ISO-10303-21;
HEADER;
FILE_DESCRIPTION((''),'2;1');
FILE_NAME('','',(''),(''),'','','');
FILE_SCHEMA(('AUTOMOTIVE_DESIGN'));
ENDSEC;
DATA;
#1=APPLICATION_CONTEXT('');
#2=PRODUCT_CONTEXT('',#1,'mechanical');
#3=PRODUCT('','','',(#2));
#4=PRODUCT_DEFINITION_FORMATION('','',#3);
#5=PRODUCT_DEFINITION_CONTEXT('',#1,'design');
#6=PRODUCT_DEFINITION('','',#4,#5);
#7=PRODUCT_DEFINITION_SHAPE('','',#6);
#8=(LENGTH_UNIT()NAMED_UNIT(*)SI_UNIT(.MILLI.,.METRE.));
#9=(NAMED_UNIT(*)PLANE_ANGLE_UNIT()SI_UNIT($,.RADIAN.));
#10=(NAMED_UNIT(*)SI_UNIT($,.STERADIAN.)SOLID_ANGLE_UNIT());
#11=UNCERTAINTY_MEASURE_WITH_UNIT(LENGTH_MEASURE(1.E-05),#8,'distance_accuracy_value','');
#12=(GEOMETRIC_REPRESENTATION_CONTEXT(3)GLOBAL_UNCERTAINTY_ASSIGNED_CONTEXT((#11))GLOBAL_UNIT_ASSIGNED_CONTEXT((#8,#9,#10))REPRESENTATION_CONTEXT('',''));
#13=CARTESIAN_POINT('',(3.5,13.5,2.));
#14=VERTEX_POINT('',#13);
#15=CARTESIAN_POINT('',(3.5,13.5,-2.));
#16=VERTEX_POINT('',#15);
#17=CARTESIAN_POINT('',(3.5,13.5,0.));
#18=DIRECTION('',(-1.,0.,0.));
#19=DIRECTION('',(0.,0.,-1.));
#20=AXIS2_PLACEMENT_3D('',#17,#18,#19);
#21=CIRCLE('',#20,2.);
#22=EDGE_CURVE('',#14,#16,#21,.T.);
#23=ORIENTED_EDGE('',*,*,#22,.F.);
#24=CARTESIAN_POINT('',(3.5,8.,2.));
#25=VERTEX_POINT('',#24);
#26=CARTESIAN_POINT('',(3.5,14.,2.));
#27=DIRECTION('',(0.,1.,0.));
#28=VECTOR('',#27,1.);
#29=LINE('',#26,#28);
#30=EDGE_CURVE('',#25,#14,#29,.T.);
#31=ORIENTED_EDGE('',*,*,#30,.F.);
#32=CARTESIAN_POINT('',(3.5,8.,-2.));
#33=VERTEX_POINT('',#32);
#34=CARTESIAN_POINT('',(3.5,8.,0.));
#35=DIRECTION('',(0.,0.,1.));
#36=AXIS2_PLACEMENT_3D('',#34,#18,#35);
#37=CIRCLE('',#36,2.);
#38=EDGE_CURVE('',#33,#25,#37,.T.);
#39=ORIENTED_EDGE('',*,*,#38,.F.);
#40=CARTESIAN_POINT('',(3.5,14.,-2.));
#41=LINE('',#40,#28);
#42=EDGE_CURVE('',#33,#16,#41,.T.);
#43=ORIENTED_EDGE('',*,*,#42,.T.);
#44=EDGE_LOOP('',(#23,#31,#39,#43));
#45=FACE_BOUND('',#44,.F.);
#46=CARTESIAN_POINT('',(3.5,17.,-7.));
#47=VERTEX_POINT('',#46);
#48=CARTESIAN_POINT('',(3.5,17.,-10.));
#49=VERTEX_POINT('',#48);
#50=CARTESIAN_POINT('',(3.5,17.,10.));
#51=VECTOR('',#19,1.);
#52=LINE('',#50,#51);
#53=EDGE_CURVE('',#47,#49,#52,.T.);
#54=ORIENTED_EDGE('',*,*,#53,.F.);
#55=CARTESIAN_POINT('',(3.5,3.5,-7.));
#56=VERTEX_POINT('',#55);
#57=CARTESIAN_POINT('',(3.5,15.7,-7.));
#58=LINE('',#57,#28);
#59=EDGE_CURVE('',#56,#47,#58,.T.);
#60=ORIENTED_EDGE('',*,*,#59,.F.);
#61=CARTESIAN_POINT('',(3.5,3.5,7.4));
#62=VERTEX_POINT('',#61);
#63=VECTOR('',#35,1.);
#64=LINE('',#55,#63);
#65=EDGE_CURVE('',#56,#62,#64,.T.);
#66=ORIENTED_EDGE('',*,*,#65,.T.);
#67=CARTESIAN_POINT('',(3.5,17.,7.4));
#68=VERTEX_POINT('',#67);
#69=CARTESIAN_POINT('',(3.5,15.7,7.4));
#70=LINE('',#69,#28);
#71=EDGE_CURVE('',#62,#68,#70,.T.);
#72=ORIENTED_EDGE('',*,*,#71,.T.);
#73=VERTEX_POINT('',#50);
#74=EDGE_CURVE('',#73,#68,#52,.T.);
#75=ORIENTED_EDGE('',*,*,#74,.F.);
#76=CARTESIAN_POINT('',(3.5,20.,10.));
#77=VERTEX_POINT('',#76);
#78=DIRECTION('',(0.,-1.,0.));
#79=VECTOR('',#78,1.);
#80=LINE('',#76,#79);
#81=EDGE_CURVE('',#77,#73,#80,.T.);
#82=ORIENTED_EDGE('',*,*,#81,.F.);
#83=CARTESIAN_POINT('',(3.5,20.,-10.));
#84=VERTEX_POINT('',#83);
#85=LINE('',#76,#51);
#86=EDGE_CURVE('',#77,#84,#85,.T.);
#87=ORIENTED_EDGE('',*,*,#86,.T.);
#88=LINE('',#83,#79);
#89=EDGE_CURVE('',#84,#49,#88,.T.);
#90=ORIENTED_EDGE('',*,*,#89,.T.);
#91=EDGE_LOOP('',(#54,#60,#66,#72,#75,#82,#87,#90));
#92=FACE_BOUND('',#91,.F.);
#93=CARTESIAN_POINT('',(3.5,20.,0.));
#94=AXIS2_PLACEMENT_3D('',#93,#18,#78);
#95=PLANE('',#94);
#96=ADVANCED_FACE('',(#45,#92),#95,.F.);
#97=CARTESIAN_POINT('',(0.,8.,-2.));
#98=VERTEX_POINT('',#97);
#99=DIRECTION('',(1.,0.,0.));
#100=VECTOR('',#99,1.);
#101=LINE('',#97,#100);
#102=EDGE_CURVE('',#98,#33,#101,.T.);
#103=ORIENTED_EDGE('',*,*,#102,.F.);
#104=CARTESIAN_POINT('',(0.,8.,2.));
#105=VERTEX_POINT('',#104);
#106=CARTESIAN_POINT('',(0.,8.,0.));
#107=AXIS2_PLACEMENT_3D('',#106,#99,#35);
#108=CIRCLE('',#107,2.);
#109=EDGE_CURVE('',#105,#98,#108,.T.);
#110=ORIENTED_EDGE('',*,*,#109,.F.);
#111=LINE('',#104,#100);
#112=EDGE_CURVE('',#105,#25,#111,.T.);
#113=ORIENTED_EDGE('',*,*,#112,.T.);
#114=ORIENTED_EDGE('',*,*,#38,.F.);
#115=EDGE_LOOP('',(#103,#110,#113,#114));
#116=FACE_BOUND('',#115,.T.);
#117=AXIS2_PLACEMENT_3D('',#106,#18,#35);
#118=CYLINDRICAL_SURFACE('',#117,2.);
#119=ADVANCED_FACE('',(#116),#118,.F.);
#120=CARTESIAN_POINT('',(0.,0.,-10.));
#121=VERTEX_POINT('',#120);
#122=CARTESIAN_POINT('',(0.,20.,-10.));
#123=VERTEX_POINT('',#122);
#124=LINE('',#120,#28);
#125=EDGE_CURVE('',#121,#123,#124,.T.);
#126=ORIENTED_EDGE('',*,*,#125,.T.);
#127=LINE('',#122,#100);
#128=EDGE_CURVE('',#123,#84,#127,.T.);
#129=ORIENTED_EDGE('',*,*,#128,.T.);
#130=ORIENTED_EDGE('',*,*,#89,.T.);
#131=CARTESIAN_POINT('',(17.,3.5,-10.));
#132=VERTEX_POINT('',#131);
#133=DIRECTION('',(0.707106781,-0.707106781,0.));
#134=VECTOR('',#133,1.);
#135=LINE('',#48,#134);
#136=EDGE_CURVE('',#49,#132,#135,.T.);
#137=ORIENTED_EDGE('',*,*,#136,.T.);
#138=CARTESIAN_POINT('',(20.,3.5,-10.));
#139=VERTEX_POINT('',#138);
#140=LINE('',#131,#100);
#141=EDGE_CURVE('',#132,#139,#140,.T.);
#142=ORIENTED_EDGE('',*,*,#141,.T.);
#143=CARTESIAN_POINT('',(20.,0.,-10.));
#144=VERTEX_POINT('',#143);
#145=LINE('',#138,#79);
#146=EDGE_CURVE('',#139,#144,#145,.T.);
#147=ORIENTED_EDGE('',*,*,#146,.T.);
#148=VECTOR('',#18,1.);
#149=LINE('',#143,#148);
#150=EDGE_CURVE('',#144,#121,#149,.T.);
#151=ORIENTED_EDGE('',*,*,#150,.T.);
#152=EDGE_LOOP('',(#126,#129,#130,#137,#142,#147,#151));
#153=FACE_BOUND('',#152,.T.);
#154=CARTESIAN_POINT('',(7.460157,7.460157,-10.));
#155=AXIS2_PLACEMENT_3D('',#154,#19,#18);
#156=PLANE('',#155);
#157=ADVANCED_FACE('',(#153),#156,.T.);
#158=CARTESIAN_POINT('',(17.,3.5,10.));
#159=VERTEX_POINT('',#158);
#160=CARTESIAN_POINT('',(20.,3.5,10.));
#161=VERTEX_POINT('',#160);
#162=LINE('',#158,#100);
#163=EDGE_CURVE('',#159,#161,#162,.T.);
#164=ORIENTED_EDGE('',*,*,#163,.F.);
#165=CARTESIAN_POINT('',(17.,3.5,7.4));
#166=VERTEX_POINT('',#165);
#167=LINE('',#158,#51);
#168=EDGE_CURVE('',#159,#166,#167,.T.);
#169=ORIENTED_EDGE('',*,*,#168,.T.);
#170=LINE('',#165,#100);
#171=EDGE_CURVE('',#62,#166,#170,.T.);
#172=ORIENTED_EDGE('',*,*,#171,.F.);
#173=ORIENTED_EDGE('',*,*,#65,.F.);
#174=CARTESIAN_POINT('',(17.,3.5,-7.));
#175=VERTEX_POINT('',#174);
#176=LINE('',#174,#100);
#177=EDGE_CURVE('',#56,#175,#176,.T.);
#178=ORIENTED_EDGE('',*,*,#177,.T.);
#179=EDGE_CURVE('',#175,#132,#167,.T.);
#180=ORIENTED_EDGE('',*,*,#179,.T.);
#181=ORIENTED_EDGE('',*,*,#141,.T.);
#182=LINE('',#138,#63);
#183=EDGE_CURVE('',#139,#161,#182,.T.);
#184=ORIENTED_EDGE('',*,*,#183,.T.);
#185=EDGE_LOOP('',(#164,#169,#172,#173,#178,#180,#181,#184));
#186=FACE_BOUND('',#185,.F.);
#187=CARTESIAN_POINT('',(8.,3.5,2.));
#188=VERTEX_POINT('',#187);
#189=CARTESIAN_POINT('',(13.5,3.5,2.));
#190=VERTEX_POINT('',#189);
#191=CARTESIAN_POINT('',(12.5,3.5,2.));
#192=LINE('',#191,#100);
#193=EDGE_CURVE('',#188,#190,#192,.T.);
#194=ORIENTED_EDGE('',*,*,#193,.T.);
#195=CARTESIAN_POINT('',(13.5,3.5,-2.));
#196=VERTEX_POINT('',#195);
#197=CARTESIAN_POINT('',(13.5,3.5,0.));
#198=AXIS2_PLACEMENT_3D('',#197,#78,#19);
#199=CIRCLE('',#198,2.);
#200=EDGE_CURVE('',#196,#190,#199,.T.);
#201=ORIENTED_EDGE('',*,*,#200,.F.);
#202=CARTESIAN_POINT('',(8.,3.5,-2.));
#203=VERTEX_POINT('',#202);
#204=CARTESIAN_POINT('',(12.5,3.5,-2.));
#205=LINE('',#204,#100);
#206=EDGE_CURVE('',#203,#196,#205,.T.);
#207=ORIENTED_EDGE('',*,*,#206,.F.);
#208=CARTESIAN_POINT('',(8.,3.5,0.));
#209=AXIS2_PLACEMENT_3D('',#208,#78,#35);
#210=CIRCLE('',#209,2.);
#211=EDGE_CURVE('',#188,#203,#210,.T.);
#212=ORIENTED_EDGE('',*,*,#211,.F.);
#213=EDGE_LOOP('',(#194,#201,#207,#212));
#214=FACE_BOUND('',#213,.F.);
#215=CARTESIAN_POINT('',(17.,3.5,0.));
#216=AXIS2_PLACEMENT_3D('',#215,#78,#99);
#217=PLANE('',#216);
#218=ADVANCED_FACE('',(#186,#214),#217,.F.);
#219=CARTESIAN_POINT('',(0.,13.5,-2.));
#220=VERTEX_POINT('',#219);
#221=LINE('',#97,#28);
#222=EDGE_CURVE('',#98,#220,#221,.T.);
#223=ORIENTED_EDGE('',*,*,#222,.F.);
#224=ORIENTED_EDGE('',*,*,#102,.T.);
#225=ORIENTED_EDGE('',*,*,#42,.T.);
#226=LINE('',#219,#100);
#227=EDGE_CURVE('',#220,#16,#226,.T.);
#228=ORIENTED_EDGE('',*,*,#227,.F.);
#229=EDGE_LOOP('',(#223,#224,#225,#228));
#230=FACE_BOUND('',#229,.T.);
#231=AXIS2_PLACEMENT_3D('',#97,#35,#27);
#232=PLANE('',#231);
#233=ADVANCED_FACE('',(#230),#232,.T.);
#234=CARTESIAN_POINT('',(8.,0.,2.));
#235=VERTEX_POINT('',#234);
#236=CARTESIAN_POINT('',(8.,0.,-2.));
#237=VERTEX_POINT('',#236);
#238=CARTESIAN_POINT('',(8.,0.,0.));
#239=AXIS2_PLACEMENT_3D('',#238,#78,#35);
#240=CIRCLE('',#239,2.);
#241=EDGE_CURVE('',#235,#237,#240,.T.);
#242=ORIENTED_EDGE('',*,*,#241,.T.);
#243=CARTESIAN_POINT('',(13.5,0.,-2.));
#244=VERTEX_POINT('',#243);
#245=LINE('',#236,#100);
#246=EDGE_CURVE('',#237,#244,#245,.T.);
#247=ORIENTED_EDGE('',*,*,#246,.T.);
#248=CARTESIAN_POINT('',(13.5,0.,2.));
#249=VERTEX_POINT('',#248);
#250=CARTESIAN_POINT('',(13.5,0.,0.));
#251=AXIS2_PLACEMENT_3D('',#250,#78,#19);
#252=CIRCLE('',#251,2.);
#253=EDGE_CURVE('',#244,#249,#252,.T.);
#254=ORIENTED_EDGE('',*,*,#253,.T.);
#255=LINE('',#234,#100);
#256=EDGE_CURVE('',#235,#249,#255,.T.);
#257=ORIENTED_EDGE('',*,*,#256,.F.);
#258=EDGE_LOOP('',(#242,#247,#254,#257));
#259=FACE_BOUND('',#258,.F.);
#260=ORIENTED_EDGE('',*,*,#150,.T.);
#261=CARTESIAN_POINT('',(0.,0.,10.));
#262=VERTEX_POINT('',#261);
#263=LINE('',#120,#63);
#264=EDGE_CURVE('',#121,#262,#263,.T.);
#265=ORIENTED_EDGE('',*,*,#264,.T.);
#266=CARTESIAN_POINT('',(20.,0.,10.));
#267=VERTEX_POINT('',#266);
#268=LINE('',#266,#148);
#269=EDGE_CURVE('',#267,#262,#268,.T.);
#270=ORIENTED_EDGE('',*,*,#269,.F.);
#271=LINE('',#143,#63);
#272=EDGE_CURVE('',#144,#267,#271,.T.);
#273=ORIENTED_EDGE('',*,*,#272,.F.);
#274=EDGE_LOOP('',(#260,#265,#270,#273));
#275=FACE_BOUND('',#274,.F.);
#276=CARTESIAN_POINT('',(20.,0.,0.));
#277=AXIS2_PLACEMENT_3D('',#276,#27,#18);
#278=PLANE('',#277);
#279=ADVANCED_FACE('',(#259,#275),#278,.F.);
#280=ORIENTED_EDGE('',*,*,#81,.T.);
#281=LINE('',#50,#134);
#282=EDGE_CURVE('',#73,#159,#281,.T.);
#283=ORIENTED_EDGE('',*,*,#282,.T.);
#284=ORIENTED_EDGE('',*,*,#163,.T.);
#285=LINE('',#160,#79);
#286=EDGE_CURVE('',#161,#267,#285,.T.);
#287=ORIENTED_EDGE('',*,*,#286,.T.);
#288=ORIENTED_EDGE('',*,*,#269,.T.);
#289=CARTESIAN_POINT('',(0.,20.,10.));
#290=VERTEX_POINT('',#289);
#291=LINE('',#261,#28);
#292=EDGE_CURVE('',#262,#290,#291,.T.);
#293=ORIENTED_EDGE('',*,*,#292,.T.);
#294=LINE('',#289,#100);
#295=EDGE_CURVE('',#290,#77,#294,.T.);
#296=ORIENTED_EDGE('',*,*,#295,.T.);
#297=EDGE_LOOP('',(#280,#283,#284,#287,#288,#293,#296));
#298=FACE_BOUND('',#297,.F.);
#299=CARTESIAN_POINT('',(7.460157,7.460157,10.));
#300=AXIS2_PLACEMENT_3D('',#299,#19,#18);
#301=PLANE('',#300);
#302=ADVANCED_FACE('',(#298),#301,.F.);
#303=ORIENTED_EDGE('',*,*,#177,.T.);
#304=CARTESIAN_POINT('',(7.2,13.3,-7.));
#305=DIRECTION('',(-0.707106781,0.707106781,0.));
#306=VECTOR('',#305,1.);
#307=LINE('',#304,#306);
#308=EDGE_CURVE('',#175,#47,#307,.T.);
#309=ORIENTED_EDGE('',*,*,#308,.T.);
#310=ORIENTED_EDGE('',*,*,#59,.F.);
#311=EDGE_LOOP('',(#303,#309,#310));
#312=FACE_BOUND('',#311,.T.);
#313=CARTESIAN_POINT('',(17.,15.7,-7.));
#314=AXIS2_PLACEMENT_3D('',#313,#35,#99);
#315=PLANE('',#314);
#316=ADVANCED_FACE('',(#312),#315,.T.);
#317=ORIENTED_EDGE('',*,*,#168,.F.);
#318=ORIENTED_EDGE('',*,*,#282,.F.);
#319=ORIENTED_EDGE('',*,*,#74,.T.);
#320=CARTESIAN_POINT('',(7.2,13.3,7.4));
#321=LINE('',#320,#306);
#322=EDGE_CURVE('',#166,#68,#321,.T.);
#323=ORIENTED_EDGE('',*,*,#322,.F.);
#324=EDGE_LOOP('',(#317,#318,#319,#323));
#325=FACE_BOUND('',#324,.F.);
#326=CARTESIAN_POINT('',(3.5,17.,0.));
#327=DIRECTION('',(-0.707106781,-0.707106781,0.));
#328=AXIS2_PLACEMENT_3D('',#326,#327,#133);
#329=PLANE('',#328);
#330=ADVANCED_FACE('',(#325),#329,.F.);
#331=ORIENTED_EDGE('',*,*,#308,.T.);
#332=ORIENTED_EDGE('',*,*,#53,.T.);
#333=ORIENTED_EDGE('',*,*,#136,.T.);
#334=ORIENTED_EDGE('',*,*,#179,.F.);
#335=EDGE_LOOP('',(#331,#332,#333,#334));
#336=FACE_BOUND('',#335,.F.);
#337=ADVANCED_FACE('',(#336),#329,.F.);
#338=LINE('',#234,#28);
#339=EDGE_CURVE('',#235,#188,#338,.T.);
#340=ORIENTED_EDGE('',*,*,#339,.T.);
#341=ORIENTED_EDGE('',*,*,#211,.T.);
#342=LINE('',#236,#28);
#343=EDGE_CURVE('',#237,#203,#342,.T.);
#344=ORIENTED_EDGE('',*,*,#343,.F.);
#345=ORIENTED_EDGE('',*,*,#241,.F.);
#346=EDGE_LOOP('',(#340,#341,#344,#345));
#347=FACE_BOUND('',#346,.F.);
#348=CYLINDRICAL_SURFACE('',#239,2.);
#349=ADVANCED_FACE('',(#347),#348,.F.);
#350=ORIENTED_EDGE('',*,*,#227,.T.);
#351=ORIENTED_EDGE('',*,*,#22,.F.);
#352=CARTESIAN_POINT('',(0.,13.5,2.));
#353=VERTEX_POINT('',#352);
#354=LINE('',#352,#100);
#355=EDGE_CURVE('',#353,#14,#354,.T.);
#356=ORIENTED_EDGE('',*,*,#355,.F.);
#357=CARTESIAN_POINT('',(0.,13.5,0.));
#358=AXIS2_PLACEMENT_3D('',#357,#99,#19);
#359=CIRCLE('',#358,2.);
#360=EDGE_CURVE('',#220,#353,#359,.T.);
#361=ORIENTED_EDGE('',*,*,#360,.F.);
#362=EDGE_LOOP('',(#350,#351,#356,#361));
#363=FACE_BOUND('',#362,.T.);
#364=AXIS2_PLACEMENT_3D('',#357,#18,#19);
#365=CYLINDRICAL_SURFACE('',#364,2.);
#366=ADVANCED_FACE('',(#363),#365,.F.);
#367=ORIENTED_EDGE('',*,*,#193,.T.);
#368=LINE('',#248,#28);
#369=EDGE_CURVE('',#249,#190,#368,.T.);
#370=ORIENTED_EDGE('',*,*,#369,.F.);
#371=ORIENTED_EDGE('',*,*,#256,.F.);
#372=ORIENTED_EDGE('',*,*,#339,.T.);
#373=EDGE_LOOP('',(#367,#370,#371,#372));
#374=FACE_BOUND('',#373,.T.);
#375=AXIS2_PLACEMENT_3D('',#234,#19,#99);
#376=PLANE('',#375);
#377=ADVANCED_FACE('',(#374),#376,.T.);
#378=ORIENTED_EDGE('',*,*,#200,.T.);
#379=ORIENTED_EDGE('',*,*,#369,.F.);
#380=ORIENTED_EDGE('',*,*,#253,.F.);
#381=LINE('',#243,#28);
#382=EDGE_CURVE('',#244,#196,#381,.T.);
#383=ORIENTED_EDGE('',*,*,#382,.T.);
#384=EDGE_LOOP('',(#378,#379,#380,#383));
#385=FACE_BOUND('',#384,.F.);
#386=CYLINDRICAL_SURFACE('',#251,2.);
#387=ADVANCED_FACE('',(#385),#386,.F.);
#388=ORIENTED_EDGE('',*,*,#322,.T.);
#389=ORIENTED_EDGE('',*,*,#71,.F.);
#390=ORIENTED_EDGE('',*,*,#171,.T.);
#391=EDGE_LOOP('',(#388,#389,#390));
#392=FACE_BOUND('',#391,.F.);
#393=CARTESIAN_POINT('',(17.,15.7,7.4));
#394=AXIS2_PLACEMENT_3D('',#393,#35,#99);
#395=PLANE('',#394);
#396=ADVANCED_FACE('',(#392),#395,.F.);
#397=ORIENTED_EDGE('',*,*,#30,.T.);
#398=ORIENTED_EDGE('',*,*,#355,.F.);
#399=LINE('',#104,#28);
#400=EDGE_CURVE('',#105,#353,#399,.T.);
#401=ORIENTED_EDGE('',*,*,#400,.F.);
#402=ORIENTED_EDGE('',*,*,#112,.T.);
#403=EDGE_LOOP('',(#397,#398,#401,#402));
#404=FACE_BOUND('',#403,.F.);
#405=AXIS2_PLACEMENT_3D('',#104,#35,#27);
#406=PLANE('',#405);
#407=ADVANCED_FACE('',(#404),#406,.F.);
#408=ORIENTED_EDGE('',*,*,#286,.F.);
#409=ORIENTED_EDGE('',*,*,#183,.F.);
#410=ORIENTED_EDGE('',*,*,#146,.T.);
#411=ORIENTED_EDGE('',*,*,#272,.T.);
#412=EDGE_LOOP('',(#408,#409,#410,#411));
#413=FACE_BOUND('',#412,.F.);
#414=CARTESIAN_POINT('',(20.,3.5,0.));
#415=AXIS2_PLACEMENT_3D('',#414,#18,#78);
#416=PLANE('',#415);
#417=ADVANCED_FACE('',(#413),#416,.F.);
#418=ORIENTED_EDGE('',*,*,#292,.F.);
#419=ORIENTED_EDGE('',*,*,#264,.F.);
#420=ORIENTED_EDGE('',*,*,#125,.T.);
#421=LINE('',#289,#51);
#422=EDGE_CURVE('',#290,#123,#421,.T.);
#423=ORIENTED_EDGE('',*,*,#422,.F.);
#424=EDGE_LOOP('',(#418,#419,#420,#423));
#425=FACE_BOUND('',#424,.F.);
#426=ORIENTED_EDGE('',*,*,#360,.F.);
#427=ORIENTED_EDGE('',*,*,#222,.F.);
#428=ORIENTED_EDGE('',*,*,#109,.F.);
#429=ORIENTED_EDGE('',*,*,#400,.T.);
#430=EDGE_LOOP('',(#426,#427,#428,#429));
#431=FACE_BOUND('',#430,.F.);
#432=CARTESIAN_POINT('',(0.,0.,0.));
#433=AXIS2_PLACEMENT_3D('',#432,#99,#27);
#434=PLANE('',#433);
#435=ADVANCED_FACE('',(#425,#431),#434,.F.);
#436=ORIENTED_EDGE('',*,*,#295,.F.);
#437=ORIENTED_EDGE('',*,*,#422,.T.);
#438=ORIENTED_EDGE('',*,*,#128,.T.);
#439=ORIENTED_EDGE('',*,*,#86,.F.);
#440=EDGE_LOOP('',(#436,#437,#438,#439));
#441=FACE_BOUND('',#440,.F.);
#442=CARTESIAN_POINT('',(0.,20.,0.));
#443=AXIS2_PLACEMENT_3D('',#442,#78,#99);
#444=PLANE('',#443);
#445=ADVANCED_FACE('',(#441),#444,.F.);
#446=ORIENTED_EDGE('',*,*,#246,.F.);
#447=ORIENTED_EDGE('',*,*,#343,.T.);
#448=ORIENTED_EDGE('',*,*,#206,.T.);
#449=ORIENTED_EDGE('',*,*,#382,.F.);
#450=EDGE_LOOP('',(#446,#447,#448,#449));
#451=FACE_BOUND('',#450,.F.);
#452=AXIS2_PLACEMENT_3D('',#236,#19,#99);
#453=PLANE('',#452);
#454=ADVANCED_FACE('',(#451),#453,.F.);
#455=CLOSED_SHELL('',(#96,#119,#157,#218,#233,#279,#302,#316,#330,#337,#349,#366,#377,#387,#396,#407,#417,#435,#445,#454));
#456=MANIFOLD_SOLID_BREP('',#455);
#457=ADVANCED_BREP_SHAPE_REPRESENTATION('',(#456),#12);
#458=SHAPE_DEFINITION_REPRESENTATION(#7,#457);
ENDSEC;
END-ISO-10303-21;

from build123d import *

# Parameters (mm, degrees)
PAD_DEPTH       = 10
BOX_W           = 27
BOX_H           = 24.4
BOX_DEPTH       = 14.4
POCKET_DEPTH    = 20.001
POCKET001_DEPTH = 20.001


with BuildPart() as part:
    # Sketch → Pad (new body, symmetric)
    with BuildSketch(Plane.XY):
        Polygon((0, 0), (0, 20), (3.5, 20), (3.5, 17), (17, 3.5), (20, 3.5), (20, 0), align=None)
    extrude(amount=PAD_DEPTH, both=True)

    # Box → Box (cut)
    with BuildSketch(Plane(origin=(3.5, 3.5, -7), x_dir=(1, 0, 0), z_dir=(0, 0, 1))):
        with Locations((13.5, 12.2)):
            Rectangle(BOX_W, BOX_H)
    extrude(amount=BOX_DEPTH, mode=Mode.SUBTRACT)

    # Sketch001 → Pocket (cut, through all)
    with BuildSketch(Plane.XZ):
        with BuildLine():
            ThreePointArc((8, 2), (6, 0), (8, -2))
            Line((8, -2), (13.5, -2))
            ThreePointArc((13.5, -2), (15.5, 0), (13.5, 2))
            Line((8, 2), (13.5, 2))
        make_face()
    extrude(amount=-POCKET_DEPTH, mode=Mode.SUBTRACT)

    # Sketch002 → Pocket001 (cut, through all)
    with BuildSketch(Plane.YZ):
        with BuildLine():
            ThreePointArc((8, 2), (6, 0), (8, -2))
            Line((8, -2), (13.5, -2))
            ThreePointArc((13.5, -2), (15.5, 0), (13.5, 2))
            Line((8, 2), (13.5, 2))
        make_face()
    extrude(amount=POCKET001_DEPTH, mode=Mode.SUBTRACT)


solid = part.part
